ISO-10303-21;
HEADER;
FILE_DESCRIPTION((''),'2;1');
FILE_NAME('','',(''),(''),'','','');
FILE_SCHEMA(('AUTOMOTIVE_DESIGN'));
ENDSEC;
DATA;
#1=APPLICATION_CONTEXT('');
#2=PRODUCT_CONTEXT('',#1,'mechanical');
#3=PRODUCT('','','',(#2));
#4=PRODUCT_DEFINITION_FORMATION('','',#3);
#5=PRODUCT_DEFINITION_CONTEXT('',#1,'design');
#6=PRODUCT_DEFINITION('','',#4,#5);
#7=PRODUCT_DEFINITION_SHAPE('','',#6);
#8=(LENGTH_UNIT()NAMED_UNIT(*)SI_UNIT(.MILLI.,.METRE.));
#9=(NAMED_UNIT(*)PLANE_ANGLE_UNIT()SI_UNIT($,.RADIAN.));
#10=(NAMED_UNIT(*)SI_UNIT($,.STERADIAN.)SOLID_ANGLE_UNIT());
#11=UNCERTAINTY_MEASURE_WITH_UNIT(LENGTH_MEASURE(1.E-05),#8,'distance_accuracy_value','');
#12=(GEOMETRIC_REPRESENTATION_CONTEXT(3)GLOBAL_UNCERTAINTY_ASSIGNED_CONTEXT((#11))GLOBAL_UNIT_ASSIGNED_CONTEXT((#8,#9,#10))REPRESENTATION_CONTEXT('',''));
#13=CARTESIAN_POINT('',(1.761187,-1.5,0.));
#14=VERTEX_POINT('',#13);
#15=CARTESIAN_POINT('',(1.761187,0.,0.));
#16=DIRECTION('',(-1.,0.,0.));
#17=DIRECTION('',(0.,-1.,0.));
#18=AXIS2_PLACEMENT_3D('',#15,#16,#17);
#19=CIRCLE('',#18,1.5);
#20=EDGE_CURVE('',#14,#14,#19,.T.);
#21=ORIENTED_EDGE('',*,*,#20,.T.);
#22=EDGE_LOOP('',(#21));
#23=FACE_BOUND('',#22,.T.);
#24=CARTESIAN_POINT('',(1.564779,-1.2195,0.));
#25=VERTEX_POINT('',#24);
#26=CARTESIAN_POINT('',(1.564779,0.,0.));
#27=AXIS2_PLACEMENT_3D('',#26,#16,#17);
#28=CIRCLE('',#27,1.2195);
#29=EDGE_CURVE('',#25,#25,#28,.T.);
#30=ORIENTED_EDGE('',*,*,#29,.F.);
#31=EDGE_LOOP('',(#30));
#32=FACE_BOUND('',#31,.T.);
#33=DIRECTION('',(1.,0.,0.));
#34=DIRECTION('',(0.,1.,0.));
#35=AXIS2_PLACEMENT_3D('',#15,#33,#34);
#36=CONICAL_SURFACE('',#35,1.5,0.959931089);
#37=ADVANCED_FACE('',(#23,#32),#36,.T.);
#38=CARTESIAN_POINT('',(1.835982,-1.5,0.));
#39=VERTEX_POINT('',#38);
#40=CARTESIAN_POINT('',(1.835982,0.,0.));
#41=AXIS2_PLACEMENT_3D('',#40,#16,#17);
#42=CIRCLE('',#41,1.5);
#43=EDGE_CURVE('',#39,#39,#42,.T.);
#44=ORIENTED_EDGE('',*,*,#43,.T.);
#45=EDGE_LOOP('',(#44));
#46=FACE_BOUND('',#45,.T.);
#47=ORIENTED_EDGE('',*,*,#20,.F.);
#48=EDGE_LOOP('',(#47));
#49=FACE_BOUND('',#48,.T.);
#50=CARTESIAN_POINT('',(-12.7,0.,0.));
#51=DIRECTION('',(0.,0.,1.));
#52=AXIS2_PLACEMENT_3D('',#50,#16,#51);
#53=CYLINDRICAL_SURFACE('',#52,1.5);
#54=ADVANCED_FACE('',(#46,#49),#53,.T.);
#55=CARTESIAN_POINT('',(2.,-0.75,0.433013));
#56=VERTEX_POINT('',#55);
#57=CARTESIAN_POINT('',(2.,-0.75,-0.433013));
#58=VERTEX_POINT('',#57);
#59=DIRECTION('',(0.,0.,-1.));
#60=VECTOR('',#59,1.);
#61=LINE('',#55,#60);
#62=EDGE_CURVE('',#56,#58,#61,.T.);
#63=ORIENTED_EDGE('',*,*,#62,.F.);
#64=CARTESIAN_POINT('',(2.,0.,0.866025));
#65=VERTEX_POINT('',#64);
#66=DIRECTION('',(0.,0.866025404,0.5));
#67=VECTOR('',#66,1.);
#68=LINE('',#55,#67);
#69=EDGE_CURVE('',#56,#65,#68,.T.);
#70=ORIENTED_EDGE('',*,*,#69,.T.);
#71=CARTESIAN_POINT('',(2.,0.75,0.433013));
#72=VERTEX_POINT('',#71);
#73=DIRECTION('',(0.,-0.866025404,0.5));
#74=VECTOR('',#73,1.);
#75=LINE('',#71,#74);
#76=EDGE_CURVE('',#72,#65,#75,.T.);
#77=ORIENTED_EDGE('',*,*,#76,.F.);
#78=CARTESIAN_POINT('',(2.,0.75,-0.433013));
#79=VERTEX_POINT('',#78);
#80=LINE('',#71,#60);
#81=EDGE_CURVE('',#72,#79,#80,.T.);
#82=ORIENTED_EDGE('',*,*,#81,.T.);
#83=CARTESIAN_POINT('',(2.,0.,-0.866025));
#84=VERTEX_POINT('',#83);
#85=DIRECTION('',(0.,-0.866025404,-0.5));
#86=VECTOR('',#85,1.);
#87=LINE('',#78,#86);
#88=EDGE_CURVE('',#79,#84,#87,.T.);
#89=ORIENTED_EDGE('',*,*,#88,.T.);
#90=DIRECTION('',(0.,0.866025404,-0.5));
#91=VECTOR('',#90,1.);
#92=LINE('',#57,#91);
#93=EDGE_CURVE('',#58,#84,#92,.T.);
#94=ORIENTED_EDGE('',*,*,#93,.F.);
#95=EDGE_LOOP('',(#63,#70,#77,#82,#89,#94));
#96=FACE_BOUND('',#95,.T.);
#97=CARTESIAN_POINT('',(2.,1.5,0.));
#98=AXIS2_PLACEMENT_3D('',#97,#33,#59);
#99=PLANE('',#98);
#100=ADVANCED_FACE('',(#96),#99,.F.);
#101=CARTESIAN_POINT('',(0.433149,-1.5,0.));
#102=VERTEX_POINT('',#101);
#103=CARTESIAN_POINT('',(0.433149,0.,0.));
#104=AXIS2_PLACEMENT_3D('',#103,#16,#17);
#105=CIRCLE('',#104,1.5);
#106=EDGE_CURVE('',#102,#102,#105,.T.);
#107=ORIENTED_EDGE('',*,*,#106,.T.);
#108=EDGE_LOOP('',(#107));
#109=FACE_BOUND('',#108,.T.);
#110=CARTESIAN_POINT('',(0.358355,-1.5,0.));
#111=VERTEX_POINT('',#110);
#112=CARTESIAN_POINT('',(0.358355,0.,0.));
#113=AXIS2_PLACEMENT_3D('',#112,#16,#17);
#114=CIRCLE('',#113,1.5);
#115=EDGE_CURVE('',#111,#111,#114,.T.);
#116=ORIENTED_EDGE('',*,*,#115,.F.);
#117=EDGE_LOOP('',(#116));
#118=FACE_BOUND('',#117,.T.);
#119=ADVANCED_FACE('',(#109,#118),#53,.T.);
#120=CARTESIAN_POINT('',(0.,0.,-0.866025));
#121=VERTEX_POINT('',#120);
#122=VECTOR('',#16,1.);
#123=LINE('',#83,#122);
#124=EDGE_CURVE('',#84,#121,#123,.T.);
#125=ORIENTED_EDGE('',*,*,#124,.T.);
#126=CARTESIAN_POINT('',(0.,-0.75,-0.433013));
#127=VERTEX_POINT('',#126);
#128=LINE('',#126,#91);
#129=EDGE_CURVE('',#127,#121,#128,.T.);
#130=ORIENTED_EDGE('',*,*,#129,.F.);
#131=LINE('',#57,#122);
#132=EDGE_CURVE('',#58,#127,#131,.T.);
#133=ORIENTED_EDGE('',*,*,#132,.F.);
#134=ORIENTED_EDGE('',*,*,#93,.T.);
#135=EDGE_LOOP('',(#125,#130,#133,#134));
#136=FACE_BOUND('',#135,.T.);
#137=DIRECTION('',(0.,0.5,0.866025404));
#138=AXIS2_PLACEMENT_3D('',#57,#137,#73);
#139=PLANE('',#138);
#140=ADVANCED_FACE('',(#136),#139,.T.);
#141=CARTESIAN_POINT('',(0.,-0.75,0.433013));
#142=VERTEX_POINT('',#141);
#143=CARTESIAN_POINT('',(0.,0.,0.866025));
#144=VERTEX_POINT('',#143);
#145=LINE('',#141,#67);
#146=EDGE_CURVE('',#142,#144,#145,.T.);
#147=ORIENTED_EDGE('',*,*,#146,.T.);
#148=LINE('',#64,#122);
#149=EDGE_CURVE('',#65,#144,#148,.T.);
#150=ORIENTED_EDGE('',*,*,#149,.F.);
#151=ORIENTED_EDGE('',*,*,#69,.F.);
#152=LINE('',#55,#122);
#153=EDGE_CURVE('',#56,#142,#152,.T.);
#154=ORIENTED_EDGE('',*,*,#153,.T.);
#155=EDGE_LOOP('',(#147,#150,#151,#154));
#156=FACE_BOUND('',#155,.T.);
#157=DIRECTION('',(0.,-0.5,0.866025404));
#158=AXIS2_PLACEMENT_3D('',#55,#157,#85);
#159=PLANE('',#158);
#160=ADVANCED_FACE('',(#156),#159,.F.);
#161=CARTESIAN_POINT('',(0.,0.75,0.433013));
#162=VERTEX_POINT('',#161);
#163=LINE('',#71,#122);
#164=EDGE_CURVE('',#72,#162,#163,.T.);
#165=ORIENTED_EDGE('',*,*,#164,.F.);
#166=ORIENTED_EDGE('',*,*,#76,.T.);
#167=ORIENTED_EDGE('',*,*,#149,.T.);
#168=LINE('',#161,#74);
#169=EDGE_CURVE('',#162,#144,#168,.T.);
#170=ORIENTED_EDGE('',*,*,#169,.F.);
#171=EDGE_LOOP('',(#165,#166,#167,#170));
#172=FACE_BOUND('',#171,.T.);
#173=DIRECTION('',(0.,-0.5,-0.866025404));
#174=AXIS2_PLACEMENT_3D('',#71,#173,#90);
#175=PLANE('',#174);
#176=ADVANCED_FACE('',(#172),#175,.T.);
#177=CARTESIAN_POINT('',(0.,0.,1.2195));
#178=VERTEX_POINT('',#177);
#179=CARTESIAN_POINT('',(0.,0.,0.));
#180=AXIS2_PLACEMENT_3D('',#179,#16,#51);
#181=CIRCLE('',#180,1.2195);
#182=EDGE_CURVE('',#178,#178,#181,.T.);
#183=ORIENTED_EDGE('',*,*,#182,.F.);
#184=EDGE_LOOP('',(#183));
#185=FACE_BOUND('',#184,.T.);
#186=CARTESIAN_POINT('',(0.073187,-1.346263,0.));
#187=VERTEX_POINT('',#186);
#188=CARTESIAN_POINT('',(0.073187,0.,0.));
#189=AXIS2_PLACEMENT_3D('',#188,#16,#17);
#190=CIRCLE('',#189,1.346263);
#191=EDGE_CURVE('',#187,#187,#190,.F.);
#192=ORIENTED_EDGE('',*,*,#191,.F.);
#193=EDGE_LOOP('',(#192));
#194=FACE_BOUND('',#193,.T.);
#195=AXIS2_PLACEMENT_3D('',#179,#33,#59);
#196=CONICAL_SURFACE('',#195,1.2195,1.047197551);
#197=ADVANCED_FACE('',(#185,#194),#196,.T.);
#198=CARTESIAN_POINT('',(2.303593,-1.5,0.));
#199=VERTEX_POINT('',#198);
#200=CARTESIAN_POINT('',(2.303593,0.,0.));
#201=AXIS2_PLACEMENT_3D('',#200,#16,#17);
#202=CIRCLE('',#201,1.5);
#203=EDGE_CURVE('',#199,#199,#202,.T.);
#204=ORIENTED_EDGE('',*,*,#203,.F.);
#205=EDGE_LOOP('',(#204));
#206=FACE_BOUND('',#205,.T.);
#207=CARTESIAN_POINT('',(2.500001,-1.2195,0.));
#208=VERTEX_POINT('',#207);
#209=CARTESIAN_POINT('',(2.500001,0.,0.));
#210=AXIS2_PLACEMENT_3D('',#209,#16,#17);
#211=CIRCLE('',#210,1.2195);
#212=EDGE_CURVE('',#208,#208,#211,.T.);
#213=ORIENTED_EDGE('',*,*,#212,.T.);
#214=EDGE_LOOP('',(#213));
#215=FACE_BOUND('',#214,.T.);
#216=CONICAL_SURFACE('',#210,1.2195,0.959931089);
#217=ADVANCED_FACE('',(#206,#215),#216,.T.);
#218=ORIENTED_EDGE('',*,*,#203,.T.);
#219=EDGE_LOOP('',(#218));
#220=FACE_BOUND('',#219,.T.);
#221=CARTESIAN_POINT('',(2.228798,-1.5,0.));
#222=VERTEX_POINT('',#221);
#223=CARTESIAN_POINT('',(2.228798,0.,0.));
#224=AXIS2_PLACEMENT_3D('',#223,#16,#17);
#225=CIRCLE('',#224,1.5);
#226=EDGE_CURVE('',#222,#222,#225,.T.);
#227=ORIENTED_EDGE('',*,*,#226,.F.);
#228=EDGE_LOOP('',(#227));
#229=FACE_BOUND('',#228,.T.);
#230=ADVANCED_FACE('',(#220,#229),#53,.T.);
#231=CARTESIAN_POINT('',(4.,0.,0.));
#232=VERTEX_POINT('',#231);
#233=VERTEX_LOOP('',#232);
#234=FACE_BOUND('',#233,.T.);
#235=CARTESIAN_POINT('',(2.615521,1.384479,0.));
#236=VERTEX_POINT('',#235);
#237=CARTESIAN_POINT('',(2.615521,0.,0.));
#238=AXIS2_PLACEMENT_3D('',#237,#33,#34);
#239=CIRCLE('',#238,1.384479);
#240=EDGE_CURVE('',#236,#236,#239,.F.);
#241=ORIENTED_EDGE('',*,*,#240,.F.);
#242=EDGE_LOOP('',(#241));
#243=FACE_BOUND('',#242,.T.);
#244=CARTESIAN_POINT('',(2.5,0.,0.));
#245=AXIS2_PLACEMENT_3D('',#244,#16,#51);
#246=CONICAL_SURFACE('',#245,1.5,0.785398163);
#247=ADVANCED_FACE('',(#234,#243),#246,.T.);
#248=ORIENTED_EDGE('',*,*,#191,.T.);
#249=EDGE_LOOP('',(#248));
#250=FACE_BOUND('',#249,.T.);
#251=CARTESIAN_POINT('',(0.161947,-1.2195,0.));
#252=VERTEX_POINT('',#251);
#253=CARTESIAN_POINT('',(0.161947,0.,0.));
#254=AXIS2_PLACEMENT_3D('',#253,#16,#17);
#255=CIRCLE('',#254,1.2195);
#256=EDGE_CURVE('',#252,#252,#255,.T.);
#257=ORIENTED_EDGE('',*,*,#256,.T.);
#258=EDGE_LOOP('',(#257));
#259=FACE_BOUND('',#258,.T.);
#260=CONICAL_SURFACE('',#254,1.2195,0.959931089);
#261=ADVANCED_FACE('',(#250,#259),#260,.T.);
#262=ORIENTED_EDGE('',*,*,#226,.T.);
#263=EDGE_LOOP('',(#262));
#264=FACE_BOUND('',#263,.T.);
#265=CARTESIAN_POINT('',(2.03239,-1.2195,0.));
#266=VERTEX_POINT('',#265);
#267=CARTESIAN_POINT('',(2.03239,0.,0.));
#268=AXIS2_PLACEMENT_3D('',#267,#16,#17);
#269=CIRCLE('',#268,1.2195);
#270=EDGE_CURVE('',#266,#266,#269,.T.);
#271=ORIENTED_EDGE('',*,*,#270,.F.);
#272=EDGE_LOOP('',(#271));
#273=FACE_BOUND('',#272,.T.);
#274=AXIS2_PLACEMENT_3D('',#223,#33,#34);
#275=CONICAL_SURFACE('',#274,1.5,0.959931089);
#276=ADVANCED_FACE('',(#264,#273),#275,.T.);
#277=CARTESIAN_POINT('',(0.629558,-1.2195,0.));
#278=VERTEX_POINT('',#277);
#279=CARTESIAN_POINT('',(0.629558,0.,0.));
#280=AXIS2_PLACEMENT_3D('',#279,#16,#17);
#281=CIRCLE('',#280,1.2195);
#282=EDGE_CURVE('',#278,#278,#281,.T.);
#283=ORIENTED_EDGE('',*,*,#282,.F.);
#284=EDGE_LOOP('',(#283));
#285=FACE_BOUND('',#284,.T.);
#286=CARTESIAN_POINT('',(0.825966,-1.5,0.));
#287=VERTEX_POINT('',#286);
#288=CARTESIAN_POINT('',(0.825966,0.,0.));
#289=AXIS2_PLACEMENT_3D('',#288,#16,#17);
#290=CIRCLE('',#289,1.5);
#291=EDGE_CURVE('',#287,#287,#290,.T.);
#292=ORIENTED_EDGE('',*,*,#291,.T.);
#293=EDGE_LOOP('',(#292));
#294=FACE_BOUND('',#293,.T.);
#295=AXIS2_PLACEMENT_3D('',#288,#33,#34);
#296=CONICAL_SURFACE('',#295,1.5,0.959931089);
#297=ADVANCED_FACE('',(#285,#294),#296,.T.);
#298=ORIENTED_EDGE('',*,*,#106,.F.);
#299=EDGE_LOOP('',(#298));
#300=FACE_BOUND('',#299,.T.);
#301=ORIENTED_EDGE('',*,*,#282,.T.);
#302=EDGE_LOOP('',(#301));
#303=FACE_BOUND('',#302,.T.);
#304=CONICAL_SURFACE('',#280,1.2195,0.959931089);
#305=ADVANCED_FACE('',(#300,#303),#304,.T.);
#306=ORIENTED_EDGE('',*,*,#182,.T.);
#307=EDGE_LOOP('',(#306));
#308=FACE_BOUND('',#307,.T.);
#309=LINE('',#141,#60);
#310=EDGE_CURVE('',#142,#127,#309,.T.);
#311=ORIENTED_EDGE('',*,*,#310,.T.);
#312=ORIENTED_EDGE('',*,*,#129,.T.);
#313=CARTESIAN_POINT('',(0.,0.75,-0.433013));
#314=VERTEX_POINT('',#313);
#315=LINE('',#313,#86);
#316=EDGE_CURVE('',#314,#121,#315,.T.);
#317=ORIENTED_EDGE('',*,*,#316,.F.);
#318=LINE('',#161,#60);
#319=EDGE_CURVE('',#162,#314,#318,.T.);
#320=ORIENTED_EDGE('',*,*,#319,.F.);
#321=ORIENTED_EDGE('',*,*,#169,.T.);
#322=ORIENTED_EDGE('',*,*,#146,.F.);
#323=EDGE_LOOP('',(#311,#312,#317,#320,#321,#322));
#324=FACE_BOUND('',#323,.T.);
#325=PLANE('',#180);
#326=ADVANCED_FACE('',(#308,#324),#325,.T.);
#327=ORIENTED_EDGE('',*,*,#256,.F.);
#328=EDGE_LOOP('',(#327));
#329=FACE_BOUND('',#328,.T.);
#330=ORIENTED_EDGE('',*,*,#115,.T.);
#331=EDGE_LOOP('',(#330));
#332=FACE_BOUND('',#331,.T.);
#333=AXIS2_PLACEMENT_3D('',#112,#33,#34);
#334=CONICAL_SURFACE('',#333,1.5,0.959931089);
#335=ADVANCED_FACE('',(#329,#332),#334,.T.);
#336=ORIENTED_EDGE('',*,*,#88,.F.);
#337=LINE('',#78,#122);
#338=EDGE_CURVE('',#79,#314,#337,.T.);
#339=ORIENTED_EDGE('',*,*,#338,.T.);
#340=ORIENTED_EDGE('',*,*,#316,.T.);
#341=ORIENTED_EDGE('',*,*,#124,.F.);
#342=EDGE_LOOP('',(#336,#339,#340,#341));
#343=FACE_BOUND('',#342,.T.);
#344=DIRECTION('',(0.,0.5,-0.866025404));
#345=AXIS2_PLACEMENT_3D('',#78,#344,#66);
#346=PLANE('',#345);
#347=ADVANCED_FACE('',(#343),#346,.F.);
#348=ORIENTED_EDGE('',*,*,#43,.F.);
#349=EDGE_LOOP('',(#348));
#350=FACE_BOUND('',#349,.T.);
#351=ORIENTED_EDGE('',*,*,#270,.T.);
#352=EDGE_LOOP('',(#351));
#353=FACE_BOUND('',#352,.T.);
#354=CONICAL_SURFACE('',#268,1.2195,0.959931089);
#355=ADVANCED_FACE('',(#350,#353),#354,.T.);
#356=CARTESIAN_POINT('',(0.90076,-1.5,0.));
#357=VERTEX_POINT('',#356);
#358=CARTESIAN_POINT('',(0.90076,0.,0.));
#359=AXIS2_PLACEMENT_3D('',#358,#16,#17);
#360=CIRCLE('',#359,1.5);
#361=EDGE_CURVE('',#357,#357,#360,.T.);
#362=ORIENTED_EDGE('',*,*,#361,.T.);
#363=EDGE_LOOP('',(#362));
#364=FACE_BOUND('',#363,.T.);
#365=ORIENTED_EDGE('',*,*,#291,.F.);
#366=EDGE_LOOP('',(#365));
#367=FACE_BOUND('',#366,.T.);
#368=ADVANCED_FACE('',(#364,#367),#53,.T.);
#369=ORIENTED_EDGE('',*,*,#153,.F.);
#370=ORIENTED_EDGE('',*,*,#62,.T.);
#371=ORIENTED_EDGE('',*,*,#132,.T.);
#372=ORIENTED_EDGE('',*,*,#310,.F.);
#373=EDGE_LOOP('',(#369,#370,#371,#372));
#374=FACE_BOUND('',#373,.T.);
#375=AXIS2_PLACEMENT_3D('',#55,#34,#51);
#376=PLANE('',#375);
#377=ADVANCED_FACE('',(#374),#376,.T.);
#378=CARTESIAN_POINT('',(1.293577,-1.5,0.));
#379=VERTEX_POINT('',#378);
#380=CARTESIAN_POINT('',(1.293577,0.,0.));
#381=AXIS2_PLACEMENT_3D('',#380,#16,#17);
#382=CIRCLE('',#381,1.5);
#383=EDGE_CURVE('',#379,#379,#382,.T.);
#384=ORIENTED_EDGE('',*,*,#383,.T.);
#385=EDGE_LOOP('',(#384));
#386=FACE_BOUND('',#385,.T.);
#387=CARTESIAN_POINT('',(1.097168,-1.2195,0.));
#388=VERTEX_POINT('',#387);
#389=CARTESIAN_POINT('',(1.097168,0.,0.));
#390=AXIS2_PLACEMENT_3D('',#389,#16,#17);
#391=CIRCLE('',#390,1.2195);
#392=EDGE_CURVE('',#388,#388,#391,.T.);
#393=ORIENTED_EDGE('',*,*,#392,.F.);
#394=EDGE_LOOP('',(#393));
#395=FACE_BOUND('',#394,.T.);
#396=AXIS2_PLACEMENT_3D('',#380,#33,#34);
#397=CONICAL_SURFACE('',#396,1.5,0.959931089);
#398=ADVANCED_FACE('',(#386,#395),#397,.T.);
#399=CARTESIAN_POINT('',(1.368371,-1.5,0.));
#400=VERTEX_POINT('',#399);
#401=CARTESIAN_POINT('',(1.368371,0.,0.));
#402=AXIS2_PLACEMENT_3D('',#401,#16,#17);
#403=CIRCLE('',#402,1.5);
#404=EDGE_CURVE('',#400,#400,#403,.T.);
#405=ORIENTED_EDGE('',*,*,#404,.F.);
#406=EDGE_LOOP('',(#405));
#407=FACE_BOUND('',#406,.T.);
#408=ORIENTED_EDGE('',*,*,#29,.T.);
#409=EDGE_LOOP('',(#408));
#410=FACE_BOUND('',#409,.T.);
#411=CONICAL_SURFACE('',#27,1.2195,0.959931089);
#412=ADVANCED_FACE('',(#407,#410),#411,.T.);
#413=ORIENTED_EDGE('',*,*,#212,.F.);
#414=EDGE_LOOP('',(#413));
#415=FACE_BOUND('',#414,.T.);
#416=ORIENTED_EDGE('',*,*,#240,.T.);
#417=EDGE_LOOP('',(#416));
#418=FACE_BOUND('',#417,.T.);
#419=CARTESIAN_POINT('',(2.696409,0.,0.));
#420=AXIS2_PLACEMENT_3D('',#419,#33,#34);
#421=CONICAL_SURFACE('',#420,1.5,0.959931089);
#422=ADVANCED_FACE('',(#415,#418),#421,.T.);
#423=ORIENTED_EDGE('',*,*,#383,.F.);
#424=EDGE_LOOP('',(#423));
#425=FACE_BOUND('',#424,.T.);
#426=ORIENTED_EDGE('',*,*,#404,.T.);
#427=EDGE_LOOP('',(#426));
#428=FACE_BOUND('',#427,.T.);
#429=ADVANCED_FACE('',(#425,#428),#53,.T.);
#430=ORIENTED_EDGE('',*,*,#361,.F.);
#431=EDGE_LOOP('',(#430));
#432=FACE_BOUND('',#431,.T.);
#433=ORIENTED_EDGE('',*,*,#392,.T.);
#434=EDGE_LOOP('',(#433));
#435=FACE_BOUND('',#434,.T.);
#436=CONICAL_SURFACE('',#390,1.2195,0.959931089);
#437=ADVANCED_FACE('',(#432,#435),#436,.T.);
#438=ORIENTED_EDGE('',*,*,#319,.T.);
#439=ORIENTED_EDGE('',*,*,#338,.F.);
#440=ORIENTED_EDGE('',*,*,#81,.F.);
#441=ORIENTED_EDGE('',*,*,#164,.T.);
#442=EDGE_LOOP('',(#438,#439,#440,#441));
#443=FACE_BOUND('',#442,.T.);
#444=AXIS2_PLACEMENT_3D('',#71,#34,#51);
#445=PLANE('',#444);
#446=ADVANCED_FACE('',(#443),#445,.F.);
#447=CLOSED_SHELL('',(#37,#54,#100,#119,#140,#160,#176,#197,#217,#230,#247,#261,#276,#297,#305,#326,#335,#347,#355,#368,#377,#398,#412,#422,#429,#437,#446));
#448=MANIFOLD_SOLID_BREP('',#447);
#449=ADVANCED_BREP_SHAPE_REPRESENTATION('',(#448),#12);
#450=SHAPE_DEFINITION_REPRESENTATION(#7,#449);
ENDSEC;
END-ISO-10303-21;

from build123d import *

# Parameters (mm, degrees)
HEX_2_DEPTH     = 2
THDSCHPAT_COUNT = 6
THDSCHPAT_PITCH = 0.467610841


with BuildPart() as part:
    # BodySke → BaseBody (revolve)
    with BuildSketch(Plane.XY, mode=Mode.PRIVATE) as basebody_sk:
        Polygon((0, 0), (0, 1.2195), (0.161946751, 1.5), (2.5, 1.5), (4, 0), align=None)
    revolve(basebody_sk.sketch.rotate(Axis((-12.7, 0, 0), (1, 0, 0)), 90), axis=Axis((-12.7, 0, 0), (1, 0, 0)))

    # Sketch2 → Hex 2 (cut)
    with BuildSketch(Plane.ZY):
        Polygon((0.433012702, 0.75), (-0.433012702, 0.75), (-0.866025404, 0), (-0.433012702, -0.75), (0.433012702, -0.75), (0.866025404, 0), align=None)
    extrude(amount=-HEX_2_DEPTH, mode=Mode.SUBTRACT)

    # ThdSchSke → ThreadSchematic (revolve, cut)
    with BuildSketch(Plane.XY):
        Polygon((0.161946751, -1.2195), (-0.034461464, -1.5), (-0.034461464, -1.875), (0.358354965, -1.875), (0.358354965, -1.5), align=None)
    threadschematic = revolve(axis=Axis((-3.175, 0, 0), (1, 0, 0)), mode=Mode.SUBTRACT)

    # ThdSchPat: ThreadSchematic ×6
    with Locations(*[(i * THDSCHPAT_PITCH, 0, 0) for i in range(1, THDSCHPAT_COUNT)]):
        add(threadschematic, mode=Mode.SUBTRACT)


solid = part.part
